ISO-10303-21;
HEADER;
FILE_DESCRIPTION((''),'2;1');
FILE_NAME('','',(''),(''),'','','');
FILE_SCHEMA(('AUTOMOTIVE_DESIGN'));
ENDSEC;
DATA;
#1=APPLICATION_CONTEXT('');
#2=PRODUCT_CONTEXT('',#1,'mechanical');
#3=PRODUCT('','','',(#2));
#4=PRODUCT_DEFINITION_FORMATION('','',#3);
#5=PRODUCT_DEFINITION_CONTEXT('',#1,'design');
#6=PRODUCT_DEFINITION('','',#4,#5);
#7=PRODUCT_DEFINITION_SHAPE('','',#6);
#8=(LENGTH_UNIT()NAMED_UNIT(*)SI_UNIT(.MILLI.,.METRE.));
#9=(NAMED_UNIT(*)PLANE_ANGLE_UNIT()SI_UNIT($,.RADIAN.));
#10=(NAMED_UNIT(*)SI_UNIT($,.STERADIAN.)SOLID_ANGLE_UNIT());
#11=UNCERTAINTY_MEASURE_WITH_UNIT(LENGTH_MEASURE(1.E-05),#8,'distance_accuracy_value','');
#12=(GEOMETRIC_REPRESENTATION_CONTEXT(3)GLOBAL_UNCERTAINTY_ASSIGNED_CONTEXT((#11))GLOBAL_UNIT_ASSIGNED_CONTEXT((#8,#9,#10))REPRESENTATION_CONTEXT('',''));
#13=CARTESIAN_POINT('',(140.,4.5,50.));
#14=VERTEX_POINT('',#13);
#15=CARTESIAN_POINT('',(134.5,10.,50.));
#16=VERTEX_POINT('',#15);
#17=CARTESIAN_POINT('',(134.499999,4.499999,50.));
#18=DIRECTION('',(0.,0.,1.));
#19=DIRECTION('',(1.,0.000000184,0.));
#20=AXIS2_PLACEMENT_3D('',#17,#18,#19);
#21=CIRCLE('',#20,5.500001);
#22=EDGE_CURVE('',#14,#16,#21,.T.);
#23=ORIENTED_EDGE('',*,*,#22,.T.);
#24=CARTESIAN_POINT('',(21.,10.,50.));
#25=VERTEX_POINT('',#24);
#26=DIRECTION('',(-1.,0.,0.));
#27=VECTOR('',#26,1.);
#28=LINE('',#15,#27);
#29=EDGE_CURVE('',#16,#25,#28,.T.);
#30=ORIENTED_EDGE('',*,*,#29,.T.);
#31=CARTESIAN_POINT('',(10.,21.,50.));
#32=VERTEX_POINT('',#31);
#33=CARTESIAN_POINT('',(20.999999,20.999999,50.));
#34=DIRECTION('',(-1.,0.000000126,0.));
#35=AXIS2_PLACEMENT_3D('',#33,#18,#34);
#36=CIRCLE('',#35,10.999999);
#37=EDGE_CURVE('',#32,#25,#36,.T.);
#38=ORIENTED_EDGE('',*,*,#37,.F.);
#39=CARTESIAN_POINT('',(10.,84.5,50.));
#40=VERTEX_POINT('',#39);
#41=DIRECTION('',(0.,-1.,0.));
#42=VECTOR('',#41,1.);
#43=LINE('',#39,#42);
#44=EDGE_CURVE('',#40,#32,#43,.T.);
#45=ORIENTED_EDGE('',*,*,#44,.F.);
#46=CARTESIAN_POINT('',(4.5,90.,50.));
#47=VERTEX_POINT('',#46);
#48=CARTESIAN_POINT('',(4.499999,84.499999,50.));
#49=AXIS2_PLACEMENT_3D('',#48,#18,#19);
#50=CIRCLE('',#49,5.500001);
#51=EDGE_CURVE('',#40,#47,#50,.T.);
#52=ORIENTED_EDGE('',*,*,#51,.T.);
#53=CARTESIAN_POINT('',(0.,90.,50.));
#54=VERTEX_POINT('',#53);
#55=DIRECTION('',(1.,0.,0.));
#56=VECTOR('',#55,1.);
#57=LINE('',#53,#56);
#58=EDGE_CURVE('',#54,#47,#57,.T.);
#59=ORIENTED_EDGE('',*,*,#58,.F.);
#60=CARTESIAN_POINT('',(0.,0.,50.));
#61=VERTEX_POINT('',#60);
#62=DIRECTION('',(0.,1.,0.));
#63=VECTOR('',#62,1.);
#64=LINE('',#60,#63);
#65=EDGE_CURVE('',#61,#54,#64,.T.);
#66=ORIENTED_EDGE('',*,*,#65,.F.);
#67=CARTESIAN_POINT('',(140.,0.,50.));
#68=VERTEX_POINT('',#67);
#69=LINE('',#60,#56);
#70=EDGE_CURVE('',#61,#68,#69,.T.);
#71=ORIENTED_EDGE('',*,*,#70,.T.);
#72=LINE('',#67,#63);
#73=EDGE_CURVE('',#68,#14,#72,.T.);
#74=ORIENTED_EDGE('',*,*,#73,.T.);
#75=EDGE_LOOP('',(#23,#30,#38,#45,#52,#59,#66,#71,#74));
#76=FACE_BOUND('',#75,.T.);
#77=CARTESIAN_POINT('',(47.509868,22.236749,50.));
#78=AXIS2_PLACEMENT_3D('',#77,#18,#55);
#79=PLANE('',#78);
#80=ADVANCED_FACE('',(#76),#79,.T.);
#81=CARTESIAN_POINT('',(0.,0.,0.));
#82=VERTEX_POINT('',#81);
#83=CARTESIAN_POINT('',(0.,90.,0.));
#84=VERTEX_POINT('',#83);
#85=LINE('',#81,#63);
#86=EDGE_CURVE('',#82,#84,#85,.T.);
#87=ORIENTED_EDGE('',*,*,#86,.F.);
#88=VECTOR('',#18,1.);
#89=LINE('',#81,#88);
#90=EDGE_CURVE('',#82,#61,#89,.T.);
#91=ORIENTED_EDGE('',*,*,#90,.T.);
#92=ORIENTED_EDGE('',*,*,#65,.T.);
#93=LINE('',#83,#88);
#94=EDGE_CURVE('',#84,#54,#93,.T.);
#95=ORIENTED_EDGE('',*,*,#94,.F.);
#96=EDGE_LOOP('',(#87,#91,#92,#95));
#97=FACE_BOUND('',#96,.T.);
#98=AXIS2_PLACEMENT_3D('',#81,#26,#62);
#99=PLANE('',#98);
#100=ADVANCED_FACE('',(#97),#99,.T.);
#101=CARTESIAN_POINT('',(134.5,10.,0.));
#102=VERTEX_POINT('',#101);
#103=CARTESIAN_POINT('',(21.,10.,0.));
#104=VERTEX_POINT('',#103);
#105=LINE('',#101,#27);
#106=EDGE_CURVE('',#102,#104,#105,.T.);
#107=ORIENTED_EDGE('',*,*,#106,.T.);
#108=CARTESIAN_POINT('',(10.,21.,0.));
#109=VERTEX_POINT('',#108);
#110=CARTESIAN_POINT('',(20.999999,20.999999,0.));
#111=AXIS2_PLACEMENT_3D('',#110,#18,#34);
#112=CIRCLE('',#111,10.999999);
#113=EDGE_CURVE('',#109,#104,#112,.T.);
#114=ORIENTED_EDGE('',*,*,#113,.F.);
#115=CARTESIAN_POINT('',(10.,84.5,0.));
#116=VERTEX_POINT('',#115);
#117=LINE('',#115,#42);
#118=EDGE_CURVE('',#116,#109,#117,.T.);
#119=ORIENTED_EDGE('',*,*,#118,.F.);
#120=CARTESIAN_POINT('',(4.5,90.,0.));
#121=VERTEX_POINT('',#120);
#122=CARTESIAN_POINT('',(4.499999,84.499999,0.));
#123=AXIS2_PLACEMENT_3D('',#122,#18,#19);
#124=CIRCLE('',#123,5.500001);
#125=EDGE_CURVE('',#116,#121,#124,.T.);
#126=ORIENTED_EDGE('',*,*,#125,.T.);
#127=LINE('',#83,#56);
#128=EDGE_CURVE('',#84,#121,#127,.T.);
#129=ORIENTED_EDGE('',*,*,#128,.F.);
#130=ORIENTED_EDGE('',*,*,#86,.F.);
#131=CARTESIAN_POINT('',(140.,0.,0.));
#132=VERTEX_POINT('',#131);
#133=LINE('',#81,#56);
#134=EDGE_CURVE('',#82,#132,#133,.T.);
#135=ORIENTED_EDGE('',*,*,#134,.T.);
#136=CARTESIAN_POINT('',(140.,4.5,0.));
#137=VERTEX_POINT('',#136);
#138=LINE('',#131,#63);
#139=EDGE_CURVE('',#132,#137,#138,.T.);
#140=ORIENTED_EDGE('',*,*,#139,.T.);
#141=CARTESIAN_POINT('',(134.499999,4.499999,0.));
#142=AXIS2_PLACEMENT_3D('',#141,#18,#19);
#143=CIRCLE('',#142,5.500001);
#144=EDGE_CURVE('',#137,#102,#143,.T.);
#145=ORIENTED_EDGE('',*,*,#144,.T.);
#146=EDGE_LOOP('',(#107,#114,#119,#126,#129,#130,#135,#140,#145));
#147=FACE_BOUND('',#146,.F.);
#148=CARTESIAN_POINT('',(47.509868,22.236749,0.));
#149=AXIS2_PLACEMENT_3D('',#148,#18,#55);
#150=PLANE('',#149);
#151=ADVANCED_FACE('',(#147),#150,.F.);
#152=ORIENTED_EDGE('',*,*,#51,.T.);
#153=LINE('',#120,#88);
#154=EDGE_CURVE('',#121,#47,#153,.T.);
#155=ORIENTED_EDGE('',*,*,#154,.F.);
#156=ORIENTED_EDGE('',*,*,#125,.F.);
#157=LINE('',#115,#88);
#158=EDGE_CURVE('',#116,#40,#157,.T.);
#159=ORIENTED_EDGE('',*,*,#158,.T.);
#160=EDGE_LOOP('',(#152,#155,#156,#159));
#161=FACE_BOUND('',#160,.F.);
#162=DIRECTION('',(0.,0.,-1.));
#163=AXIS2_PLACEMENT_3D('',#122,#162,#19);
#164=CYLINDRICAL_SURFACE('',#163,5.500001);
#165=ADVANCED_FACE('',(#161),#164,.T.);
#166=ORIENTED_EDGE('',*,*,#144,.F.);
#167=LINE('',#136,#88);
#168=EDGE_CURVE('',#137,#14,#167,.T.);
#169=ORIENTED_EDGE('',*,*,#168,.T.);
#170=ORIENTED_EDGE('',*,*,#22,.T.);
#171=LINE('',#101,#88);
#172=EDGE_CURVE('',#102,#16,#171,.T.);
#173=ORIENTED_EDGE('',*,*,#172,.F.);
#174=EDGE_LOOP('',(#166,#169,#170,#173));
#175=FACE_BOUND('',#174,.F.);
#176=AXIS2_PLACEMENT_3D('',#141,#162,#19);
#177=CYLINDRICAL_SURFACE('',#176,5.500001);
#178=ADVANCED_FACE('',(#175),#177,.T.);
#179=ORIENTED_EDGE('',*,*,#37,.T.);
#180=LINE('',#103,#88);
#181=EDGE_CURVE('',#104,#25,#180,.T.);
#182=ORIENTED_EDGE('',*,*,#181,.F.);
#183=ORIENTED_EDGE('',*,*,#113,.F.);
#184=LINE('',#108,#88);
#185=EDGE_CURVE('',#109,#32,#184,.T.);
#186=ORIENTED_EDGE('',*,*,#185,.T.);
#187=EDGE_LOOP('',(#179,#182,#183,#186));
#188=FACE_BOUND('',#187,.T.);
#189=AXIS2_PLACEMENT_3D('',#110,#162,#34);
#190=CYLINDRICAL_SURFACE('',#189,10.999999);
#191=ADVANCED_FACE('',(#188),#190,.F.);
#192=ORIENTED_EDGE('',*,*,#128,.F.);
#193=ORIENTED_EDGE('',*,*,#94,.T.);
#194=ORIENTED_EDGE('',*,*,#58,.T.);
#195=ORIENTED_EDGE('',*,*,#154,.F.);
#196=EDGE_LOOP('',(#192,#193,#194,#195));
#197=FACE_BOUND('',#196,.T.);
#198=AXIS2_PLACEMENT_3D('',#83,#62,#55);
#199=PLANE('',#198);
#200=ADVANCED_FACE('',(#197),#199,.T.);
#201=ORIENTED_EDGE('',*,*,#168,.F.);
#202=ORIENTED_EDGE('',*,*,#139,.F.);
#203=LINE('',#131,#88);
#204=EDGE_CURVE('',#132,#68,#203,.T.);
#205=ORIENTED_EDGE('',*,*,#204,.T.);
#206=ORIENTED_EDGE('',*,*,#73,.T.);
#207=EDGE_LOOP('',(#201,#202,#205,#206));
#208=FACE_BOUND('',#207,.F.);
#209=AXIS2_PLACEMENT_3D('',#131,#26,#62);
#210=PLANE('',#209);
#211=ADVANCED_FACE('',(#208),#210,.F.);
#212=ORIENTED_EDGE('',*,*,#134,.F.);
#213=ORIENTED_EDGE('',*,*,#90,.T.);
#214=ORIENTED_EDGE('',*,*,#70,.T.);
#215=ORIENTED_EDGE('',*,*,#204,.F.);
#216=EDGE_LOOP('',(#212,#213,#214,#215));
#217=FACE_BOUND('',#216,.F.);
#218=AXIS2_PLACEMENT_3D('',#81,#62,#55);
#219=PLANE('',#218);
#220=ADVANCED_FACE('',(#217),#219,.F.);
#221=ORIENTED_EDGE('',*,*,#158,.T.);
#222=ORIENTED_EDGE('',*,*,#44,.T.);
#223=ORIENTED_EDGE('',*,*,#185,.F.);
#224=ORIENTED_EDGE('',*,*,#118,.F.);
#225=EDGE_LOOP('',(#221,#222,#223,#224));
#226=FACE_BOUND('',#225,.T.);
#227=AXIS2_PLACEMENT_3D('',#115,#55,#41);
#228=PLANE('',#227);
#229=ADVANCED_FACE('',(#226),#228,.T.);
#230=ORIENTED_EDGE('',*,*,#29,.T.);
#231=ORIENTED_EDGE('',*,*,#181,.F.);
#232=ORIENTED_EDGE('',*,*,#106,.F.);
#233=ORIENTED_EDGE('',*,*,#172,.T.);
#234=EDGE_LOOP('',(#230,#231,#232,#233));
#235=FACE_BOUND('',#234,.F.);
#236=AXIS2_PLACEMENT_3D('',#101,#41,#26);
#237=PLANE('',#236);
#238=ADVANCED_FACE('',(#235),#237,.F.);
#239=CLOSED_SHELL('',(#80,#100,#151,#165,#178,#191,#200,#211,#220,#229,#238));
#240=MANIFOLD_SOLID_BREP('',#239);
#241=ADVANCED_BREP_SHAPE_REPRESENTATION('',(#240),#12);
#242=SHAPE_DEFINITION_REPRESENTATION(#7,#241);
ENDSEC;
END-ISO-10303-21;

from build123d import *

# Parameters (mm, degrees)
EXTRUDE_DEPTH = 50


with BuildPart() as part:
    # Sketch → Extrude (new body)
    with BuildSketch(Plane.XY):
        with BuildLine():
            Line((0, 0), (140, 0))
            Line((140, 0), (140, 4.5))
            ThreePointArc((140, 4.5), (138.389087, 8.389087), (134.5, 10))
            Line((134.5, 10), (21, 10))
            ThreePointArc((10, 21), (13.221825, 13.221825), (21, 10))
            Line((10, 84.5), (10, 21))
            ThreePointArc((10, 84.5), (8.389087, 88.389087), (4.5, 90))
            Line((0, 90), (4.5, 90))
            Line((0, 0), (0, 90))
        make_face()
    extrude(amount=EXTRUDE_DEPTH)


solid = part.part
